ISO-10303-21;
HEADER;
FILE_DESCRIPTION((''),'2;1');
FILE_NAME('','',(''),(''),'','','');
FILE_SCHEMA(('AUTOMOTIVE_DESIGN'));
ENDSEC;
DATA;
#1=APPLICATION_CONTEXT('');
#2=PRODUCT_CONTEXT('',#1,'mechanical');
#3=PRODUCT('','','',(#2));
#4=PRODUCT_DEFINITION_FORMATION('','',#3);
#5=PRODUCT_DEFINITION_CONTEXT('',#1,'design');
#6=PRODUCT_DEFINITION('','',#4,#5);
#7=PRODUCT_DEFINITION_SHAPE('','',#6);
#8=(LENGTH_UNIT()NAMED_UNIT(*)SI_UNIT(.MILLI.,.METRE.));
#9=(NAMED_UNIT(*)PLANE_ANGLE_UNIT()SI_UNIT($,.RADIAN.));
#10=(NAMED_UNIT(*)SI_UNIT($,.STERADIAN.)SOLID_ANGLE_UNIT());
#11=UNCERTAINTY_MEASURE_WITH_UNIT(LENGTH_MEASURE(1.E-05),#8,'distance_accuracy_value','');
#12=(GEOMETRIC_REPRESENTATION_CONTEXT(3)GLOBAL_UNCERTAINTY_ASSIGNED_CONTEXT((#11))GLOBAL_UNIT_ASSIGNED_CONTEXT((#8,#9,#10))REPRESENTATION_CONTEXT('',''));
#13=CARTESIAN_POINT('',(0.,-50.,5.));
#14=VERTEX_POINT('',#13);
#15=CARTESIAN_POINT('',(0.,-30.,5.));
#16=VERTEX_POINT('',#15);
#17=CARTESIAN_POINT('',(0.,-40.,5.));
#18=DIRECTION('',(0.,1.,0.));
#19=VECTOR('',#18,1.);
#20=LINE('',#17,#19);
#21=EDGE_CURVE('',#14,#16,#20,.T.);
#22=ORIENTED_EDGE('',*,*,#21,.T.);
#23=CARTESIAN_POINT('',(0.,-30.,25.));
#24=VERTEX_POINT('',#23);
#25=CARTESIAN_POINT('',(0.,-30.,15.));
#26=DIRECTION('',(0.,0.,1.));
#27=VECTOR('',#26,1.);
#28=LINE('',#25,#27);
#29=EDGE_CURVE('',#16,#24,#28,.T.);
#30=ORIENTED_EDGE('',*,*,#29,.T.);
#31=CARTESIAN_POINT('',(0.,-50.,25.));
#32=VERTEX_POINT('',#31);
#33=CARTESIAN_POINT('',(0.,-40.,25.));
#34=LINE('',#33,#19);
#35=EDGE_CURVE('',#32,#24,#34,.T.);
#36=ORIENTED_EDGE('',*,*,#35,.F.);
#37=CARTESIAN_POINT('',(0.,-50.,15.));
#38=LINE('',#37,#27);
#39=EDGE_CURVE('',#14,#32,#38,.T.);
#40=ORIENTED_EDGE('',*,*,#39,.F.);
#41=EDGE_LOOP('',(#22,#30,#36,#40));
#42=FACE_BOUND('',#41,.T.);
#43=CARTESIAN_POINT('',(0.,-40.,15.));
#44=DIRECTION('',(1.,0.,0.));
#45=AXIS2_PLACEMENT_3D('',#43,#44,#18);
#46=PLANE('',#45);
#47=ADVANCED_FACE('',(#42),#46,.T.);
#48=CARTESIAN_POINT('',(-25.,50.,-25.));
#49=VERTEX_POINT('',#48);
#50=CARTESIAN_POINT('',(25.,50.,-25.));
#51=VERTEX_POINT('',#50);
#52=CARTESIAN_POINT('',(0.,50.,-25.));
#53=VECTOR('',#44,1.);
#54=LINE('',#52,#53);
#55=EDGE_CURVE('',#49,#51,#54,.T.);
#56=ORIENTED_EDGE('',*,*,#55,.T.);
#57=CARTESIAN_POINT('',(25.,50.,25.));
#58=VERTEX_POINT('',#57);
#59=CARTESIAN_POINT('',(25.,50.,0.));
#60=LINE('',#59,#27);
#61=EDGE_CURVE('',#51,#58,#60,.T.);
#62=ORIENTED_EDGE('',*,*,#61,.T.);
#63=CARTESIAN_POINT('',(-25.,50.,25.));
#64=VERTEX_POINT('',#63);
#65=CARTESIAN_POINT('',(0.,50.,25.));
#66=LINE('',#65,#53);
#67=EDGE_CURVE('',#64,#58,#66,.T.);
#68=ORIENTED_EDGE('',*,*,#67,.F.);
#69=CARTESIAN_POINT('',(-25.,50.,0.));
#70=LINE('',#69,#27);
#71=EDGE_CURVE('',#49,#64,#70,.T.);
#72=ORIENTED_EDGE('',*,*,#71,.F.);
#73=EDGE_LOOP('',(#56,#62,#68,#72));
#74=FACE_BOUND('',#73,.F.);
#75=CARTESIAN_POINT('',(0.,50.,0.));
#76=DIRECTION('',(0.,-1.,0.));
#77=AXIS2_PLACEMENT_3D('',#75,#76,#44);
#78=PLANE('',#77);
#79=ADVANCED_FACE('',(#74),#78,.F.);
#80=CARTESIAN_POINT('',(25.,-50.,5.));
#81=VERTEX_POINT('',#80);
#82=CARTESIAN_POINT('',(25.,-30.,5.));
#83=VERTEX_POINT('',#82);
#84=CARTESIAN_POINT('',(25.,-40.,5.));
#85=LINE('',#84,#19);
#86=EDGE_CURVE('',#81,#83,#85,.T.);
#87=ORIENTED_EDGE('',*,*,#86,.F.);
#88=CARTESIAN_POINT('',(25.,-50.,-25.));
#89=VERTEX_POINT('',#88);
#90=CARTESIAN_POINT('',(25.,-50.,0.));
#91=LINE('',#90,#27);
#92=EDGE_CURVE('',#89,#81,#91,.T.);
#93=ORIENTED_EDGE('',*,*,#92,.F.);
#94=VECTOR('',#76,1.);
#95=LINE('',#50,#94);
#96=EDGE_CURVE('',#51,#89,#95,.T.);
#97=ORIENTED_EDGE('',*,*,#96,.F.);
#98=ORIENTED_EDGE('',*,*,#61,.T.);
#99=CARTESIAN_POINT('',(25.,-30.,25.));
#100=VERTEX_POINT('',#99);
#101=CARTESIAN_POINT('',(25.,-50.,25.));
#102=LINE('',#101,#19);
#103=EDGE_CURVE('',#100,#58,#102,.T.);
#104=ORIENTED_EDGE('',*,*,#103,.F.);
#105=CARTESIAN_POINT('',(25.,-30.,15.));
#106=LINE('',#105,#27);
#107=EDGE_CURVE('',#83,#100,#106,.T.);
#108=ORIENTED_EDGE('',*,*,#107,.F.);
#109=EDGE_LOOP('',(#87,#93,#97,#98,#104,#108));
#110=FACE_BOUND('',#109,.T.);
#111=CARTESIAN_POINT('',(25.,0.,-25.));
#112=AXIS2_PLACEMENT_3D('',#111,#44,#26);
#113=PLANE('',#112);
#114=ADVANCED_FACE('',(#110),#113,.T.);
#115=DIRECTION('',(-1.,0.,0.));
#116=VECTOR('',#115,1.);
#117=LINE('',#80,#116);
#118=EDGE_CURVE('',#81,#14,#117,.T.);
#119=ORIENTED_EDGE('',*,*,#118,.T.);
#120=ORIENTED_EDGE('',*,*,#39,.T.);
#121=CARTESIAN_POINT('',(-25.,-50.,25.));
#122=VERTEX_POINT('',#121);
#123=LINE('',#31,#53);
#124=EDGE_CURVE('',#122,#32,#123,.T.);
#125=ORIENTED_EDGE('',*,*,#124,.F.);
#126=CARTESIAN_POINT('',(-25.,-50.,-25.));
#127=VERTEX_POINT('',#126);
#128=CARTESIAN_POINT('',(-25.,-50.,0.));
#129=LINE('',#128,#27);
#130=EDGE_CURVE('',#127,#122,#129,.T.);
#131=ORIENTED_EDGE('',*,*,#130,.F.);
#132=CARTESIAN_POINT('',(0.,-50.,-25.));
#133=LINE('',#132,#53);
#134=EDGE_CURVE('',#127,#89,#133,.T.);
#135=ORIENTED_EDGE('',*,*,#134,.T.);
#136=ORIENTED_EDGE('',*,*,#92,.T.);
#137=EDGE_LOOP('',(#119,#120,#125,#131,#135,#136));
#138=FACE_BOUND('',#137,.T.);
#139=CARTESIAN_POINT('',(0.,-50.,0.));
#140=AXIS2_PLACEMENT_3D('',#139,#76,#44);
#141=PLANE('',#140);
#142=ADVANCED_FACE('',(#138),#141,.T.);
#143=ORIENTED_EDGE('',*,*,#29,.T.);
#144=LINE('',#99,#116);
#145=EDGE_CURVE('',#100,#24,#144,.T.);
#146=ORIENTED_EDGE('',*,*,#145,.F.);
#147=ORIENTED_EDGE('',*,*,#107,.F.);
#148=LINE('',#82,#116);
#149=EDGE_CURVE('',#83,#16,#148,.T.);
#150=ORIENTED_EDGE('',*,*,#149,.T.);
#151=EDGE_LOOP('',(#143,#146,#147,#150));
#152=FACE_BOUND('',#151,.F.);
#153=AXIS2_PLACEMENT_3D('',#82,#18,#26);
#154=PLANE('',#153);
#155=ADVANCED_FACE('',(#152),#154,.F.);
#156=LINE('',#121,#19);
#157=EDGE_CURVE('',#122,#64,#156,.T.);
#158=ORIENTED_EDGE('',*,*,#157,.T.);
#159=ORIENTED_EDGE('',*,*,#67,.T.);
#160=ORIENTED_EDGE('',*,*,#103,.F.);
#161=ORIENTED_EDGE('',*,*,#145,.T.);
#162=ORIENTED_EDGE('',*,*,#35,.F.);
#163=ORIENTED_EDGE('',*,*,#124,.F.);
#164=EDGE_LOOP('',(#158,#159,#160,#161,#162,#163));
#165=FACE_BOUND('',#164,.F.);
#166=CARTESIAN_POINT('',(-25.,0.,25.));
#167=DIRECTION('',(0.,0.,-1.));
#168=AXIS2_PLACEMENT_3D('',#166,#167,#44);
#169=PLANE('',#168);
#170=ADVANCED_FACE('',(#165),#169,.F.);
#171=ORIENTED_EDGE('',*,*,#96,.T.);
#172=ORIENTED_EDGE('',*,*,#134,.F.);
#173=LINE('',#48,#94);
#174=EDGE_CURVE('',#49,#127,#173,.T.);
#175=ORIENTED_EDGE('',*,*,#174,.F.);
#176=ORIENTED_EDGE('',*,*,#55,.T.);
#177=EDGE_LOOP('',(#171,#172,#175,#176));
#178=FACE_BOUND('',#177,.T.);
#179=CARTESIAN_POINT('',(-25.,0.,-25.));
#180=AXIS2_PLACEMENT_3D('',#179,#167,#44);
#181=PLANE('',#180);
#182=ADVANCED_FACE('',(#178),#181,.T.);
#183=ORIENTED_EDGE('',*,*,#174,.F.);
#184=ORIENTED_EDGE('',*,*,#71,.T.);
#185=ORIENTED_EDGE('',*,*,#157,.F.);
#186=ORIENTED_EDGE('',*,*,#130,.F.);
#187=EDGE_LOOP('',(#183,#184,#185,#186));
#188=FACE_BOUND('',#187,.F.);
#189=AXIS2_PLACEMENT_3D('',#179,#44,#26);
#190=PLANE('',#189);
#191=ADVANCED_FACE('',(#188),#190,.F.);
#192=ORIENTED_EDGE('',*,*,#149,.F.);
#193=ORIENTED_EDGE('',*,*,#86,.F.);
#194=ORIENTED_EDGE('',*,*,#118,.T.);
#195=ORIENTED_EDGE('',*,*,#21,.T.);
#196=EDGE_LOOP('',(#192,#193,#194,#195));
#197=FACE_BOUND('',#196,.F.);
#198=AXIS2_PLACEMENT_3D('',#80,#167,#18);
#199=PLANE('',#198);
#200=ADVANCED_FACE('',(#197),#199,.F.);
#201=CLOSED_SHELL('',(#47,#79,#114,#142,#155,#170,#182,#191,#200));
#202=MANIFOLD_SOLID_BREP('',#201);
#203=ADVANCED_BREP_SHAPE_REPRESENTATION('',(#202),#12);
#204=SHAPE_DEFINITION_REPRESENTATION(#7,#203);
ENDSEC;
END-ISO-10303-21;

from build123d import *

# Parameters (mm, degrees)
F0_W     = 50
F0_H     = 50
F1_DEPTH = 50
F2_W     = 20
F2_H     = 20
F3_DEPTH = 25


with BuildPart() as f1:
    # F0 (on Front) → F1 (new body, symmetric)
    with BuildSketch(Plane.XZ):
        Rectangle(F0_W, F0_H)
    extrude(amount=F1_DEPTH, both=True)

    # F2 (on face) → F3 (cut)
    with BuildSketch(Plane.YZ.offset(25)):
        with Locations((-40, 15)):
            Rectangle(F2_W, F2_H)
    extrude(amount=-F3_DEPTH, mode=Mode.SUBTRACT)


solid = f1.part
